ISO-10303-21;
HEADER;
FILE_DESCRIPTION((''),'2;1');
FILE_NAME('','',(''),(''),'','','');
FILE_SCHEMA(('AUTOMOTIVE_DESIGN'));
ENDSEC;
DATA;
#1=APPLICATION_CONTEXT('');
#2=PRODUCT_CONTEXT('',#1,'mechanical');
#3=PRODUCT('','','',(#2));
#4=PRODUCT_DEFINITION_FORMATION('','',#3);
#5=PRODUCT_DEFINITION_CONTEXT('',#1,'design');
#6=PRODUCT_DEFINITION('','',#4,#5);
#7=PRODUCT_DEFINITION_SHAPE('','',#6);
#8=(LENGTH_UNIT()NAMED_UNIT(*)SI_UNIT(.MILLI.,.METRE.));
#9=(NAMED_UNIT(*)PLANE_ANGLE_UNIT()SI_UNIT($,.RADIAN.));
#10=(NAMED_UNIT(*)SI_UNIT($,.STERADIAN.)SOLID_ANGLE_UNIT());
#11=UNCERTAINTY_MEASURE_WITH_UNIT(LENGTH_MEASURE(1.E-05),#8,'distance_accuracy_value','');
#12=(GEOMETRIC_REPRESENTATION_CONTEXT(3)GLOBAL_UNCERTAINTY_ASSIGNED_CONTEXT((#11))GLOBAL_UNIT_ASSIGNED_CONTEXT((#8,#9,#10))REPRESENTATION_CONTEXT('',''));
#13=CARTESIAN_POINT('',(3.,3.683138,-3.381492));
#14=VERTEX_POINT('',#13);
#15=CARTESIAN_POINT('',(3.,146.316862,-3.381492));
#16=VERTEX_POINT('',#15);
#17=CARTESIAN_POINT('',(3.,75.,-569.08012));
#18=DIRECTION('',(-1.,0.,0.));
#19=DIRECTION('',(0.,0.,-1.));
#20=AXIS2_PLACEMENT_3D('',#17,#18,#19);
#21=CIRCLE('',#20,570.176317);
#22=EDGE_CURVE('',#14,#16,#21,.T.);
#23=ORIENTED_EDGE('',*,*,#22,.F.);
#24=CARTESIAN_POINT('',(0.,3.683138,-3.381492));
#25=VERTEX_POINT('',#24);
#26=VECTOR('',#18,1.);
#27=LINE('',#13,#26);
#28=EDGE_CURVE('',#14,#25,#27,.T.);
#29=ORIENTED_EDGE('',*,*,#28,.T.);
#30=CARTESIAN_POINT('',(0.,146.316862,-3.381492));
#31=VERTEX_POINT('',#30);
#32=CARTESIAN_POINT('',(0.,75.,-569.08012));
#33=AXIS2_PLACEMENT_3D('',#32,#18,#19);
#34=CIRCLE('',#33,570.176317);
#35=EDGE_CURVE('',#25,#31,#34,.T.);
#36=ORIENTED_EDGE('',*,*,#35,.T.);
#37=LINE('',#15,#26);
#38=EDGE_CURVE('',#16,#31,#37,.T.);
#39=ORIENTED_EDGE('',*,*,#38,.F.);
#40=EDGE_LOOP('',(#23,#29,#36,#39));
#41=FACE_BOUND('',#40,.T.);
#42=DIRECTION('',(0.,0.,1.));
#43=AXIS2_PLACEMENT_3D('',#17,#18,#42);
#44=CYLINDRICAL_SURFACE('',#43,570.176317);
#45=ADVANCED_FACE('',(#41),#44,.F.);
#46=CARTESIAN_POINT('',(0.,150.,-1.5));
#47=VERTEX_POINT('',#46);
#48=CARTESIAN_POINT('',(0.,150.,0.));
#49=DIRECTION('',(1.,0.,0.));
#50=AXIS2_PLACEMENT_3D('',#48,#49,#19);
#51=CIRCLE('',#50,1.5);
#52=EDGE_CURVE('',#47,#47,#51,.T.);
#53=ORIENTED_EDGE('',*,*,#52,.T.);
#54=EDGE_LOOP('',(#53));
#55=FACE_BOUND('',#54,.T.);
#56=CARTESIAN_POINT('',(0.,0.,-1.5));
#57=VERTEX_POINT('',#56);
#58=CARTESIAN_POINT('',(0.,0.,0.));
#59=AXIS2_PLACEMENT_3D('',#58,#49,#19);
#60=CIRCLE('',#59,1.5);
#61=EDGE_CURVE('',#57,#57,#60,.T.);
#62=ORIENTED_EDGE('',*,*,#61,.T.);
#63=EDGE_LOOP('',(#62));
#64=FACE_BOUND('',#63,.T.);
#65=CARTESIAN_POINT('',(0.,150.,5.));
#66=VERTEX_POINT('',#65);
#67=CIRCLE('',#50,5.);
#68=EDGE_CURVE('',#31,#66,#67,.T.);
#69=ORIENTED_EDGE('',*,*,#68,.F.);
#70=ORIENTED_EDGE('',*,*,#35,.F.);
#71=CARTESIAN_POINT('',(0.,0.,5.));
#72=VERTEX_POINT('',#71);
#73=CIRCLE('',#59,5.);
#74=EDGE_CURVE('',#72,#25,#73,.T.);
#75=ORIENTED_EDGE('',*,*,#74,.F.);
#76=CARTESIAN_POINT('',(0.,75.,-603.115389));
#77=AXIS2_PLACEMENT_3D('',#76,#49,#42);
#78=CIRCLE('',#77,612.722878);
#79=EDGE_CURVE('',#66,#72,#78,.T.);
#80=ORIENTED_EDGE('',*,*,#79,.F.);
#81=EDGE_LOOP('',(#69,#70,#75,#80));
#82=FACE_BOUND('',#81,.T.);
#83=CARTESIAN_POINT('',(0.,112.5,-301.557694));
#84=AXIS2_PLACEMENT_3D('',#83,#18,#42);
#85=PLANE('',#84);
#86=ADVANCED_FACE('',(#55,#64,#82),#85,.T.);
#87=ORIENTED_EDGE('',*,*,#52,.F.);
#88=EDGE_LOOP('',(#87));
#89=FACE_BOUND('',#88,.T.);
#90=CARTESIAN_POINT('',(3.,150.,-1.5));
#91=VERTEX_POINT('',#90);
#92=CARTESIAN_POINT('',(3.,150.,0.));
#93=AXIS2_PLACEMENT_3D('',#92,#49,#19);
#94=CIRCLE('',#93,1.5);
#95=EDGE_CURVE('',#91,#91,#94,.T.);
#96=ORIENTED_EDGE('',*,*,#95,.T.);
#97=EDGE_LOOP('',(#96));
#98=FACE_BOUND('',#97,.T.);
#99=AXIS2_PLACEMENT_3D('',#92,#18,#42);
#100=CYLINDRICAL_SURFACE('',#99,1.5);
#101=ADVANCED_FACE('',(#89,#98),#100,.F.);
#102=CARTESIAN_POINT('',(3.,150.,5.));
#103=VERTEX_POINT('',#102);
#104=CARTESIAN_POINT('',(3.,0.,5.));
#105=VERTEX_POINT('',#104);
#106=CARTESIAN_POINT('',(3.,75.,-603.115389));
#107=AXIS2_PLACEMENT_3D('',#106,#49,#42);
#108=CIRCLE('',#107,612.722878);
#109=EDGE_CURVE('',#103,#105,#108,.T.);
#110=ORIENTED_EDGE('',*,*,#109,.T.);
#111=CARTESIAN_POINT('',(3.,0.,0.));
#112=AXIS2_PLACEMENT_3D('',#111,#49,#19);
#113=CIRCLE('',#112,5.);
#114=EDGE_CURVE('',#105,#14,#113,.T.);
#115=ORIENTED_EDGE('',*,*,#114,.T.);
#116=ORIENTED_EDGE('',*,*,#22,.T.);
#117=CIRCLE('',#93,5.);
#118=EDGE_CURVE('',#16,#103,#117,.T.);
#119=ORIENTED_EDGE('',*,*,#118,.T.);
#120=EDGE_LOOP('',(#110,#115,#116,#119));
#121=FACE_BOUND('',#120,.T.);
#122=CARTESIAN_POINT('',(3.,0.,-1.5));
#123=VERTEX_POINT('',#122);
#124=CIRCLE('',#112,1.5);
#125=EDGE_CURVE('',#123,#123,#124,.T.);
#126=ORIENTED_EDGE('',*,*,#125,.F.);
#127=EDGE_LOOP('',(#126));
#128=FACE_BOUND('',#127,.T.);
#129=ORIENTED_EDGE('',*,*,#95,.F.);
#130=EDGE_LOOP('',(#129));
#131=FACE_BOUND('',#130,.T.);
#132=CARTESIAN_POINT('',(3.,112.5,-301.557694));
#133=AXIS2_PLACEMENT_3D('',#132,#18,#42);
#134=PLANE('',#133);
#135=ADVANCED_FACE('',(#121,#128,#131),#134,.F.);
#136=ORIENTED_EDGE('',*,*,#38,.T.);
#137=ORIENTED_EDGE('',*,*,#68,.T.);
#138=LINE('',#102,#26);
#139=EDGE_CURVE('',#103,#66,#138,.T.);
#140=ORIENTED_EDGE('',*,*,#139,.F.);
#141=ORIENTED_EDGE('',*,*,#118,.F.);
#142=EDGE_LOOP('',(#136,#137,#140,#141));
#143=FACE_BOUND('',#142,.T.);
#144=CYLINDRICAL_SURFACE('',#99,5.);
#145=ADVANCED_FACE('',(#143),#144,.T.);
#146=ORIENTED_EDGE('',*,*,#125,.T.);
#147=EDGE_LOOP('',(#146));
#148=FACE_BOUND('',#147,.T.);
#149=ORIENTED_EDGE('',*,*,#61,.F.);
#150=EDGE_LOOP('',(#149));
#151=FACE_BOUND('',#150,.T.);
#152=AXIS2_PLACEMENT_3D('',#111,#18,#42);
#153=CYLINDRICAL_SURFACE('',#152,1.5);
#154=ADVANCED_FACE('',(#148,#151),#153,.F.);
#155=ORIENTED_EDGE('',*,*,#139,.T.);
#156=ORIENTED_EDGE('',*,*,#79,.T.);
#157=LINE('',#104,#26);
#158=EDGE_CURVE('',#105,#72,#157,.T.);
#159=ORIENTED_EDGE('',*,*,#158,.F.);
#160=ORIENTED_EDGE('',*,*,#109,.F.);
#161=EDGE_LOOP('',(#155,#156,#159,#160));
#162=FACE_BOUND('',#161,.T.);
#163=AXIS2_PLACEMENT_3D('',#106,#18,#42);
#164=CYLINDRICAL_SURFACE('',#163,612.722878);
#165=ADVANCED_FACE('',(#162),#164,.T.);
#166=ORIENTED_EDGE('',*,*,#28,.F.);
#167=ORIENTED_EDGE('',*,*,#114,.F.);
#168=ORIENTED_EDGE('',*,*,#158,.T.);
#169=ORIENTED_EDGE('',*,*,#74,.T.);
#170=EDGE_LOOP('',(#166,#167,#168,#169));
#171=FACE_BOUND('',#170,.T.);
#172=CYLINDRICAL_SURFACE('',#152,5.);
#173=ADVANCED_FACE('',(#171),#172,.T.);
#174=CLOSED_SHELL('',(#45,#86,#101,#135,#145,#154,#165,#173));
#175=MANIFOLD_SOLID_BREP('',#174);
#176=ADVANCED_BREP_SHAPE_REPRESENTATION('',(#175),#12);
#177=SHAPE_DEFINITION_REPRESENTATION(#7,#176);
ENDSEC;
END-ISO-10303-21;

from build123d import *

# Parameters (mm, degrees)
CROQUIS1_R              = 1.5
SALIENTE_EXTRUIR1_DEPTH = 3


with BuildPart() as part:
    # Croquis1 → Saliente-Extruir1 (new body)
    with BuildSketch(Plane(origin=(0, 0, 0), x_dir=(0, 0, -1), z_dir=(1, 0, 0))):
        with BuildLine():
            ThreePointArc((-5, 0), (2.011533945, -4.57752457), (3.381492475, 3.683138423))
            ThreePointArc((3.381492475, 3.683138423), (-1.096196525, 75), (3.381492475, 146.316861577))
            ThreePointArc((3.381492475, 146.316861577), (2.011533945, 154.57752457), (-5, 150))
            ThreePointArc((-5, 150), (-9.607489913, 75), (-5, 0))
        make_face()
        with Locations((0, 150)):
            Circle(CROQUIS1_R, mode=Mode.SUBTRACT)
        Circle(CROQUIS1_R, mode=Mode.SUBTRACT)
    extrude(amount=SALIENTE_EXTRUIR1_DEPTH)


solid = part.part
